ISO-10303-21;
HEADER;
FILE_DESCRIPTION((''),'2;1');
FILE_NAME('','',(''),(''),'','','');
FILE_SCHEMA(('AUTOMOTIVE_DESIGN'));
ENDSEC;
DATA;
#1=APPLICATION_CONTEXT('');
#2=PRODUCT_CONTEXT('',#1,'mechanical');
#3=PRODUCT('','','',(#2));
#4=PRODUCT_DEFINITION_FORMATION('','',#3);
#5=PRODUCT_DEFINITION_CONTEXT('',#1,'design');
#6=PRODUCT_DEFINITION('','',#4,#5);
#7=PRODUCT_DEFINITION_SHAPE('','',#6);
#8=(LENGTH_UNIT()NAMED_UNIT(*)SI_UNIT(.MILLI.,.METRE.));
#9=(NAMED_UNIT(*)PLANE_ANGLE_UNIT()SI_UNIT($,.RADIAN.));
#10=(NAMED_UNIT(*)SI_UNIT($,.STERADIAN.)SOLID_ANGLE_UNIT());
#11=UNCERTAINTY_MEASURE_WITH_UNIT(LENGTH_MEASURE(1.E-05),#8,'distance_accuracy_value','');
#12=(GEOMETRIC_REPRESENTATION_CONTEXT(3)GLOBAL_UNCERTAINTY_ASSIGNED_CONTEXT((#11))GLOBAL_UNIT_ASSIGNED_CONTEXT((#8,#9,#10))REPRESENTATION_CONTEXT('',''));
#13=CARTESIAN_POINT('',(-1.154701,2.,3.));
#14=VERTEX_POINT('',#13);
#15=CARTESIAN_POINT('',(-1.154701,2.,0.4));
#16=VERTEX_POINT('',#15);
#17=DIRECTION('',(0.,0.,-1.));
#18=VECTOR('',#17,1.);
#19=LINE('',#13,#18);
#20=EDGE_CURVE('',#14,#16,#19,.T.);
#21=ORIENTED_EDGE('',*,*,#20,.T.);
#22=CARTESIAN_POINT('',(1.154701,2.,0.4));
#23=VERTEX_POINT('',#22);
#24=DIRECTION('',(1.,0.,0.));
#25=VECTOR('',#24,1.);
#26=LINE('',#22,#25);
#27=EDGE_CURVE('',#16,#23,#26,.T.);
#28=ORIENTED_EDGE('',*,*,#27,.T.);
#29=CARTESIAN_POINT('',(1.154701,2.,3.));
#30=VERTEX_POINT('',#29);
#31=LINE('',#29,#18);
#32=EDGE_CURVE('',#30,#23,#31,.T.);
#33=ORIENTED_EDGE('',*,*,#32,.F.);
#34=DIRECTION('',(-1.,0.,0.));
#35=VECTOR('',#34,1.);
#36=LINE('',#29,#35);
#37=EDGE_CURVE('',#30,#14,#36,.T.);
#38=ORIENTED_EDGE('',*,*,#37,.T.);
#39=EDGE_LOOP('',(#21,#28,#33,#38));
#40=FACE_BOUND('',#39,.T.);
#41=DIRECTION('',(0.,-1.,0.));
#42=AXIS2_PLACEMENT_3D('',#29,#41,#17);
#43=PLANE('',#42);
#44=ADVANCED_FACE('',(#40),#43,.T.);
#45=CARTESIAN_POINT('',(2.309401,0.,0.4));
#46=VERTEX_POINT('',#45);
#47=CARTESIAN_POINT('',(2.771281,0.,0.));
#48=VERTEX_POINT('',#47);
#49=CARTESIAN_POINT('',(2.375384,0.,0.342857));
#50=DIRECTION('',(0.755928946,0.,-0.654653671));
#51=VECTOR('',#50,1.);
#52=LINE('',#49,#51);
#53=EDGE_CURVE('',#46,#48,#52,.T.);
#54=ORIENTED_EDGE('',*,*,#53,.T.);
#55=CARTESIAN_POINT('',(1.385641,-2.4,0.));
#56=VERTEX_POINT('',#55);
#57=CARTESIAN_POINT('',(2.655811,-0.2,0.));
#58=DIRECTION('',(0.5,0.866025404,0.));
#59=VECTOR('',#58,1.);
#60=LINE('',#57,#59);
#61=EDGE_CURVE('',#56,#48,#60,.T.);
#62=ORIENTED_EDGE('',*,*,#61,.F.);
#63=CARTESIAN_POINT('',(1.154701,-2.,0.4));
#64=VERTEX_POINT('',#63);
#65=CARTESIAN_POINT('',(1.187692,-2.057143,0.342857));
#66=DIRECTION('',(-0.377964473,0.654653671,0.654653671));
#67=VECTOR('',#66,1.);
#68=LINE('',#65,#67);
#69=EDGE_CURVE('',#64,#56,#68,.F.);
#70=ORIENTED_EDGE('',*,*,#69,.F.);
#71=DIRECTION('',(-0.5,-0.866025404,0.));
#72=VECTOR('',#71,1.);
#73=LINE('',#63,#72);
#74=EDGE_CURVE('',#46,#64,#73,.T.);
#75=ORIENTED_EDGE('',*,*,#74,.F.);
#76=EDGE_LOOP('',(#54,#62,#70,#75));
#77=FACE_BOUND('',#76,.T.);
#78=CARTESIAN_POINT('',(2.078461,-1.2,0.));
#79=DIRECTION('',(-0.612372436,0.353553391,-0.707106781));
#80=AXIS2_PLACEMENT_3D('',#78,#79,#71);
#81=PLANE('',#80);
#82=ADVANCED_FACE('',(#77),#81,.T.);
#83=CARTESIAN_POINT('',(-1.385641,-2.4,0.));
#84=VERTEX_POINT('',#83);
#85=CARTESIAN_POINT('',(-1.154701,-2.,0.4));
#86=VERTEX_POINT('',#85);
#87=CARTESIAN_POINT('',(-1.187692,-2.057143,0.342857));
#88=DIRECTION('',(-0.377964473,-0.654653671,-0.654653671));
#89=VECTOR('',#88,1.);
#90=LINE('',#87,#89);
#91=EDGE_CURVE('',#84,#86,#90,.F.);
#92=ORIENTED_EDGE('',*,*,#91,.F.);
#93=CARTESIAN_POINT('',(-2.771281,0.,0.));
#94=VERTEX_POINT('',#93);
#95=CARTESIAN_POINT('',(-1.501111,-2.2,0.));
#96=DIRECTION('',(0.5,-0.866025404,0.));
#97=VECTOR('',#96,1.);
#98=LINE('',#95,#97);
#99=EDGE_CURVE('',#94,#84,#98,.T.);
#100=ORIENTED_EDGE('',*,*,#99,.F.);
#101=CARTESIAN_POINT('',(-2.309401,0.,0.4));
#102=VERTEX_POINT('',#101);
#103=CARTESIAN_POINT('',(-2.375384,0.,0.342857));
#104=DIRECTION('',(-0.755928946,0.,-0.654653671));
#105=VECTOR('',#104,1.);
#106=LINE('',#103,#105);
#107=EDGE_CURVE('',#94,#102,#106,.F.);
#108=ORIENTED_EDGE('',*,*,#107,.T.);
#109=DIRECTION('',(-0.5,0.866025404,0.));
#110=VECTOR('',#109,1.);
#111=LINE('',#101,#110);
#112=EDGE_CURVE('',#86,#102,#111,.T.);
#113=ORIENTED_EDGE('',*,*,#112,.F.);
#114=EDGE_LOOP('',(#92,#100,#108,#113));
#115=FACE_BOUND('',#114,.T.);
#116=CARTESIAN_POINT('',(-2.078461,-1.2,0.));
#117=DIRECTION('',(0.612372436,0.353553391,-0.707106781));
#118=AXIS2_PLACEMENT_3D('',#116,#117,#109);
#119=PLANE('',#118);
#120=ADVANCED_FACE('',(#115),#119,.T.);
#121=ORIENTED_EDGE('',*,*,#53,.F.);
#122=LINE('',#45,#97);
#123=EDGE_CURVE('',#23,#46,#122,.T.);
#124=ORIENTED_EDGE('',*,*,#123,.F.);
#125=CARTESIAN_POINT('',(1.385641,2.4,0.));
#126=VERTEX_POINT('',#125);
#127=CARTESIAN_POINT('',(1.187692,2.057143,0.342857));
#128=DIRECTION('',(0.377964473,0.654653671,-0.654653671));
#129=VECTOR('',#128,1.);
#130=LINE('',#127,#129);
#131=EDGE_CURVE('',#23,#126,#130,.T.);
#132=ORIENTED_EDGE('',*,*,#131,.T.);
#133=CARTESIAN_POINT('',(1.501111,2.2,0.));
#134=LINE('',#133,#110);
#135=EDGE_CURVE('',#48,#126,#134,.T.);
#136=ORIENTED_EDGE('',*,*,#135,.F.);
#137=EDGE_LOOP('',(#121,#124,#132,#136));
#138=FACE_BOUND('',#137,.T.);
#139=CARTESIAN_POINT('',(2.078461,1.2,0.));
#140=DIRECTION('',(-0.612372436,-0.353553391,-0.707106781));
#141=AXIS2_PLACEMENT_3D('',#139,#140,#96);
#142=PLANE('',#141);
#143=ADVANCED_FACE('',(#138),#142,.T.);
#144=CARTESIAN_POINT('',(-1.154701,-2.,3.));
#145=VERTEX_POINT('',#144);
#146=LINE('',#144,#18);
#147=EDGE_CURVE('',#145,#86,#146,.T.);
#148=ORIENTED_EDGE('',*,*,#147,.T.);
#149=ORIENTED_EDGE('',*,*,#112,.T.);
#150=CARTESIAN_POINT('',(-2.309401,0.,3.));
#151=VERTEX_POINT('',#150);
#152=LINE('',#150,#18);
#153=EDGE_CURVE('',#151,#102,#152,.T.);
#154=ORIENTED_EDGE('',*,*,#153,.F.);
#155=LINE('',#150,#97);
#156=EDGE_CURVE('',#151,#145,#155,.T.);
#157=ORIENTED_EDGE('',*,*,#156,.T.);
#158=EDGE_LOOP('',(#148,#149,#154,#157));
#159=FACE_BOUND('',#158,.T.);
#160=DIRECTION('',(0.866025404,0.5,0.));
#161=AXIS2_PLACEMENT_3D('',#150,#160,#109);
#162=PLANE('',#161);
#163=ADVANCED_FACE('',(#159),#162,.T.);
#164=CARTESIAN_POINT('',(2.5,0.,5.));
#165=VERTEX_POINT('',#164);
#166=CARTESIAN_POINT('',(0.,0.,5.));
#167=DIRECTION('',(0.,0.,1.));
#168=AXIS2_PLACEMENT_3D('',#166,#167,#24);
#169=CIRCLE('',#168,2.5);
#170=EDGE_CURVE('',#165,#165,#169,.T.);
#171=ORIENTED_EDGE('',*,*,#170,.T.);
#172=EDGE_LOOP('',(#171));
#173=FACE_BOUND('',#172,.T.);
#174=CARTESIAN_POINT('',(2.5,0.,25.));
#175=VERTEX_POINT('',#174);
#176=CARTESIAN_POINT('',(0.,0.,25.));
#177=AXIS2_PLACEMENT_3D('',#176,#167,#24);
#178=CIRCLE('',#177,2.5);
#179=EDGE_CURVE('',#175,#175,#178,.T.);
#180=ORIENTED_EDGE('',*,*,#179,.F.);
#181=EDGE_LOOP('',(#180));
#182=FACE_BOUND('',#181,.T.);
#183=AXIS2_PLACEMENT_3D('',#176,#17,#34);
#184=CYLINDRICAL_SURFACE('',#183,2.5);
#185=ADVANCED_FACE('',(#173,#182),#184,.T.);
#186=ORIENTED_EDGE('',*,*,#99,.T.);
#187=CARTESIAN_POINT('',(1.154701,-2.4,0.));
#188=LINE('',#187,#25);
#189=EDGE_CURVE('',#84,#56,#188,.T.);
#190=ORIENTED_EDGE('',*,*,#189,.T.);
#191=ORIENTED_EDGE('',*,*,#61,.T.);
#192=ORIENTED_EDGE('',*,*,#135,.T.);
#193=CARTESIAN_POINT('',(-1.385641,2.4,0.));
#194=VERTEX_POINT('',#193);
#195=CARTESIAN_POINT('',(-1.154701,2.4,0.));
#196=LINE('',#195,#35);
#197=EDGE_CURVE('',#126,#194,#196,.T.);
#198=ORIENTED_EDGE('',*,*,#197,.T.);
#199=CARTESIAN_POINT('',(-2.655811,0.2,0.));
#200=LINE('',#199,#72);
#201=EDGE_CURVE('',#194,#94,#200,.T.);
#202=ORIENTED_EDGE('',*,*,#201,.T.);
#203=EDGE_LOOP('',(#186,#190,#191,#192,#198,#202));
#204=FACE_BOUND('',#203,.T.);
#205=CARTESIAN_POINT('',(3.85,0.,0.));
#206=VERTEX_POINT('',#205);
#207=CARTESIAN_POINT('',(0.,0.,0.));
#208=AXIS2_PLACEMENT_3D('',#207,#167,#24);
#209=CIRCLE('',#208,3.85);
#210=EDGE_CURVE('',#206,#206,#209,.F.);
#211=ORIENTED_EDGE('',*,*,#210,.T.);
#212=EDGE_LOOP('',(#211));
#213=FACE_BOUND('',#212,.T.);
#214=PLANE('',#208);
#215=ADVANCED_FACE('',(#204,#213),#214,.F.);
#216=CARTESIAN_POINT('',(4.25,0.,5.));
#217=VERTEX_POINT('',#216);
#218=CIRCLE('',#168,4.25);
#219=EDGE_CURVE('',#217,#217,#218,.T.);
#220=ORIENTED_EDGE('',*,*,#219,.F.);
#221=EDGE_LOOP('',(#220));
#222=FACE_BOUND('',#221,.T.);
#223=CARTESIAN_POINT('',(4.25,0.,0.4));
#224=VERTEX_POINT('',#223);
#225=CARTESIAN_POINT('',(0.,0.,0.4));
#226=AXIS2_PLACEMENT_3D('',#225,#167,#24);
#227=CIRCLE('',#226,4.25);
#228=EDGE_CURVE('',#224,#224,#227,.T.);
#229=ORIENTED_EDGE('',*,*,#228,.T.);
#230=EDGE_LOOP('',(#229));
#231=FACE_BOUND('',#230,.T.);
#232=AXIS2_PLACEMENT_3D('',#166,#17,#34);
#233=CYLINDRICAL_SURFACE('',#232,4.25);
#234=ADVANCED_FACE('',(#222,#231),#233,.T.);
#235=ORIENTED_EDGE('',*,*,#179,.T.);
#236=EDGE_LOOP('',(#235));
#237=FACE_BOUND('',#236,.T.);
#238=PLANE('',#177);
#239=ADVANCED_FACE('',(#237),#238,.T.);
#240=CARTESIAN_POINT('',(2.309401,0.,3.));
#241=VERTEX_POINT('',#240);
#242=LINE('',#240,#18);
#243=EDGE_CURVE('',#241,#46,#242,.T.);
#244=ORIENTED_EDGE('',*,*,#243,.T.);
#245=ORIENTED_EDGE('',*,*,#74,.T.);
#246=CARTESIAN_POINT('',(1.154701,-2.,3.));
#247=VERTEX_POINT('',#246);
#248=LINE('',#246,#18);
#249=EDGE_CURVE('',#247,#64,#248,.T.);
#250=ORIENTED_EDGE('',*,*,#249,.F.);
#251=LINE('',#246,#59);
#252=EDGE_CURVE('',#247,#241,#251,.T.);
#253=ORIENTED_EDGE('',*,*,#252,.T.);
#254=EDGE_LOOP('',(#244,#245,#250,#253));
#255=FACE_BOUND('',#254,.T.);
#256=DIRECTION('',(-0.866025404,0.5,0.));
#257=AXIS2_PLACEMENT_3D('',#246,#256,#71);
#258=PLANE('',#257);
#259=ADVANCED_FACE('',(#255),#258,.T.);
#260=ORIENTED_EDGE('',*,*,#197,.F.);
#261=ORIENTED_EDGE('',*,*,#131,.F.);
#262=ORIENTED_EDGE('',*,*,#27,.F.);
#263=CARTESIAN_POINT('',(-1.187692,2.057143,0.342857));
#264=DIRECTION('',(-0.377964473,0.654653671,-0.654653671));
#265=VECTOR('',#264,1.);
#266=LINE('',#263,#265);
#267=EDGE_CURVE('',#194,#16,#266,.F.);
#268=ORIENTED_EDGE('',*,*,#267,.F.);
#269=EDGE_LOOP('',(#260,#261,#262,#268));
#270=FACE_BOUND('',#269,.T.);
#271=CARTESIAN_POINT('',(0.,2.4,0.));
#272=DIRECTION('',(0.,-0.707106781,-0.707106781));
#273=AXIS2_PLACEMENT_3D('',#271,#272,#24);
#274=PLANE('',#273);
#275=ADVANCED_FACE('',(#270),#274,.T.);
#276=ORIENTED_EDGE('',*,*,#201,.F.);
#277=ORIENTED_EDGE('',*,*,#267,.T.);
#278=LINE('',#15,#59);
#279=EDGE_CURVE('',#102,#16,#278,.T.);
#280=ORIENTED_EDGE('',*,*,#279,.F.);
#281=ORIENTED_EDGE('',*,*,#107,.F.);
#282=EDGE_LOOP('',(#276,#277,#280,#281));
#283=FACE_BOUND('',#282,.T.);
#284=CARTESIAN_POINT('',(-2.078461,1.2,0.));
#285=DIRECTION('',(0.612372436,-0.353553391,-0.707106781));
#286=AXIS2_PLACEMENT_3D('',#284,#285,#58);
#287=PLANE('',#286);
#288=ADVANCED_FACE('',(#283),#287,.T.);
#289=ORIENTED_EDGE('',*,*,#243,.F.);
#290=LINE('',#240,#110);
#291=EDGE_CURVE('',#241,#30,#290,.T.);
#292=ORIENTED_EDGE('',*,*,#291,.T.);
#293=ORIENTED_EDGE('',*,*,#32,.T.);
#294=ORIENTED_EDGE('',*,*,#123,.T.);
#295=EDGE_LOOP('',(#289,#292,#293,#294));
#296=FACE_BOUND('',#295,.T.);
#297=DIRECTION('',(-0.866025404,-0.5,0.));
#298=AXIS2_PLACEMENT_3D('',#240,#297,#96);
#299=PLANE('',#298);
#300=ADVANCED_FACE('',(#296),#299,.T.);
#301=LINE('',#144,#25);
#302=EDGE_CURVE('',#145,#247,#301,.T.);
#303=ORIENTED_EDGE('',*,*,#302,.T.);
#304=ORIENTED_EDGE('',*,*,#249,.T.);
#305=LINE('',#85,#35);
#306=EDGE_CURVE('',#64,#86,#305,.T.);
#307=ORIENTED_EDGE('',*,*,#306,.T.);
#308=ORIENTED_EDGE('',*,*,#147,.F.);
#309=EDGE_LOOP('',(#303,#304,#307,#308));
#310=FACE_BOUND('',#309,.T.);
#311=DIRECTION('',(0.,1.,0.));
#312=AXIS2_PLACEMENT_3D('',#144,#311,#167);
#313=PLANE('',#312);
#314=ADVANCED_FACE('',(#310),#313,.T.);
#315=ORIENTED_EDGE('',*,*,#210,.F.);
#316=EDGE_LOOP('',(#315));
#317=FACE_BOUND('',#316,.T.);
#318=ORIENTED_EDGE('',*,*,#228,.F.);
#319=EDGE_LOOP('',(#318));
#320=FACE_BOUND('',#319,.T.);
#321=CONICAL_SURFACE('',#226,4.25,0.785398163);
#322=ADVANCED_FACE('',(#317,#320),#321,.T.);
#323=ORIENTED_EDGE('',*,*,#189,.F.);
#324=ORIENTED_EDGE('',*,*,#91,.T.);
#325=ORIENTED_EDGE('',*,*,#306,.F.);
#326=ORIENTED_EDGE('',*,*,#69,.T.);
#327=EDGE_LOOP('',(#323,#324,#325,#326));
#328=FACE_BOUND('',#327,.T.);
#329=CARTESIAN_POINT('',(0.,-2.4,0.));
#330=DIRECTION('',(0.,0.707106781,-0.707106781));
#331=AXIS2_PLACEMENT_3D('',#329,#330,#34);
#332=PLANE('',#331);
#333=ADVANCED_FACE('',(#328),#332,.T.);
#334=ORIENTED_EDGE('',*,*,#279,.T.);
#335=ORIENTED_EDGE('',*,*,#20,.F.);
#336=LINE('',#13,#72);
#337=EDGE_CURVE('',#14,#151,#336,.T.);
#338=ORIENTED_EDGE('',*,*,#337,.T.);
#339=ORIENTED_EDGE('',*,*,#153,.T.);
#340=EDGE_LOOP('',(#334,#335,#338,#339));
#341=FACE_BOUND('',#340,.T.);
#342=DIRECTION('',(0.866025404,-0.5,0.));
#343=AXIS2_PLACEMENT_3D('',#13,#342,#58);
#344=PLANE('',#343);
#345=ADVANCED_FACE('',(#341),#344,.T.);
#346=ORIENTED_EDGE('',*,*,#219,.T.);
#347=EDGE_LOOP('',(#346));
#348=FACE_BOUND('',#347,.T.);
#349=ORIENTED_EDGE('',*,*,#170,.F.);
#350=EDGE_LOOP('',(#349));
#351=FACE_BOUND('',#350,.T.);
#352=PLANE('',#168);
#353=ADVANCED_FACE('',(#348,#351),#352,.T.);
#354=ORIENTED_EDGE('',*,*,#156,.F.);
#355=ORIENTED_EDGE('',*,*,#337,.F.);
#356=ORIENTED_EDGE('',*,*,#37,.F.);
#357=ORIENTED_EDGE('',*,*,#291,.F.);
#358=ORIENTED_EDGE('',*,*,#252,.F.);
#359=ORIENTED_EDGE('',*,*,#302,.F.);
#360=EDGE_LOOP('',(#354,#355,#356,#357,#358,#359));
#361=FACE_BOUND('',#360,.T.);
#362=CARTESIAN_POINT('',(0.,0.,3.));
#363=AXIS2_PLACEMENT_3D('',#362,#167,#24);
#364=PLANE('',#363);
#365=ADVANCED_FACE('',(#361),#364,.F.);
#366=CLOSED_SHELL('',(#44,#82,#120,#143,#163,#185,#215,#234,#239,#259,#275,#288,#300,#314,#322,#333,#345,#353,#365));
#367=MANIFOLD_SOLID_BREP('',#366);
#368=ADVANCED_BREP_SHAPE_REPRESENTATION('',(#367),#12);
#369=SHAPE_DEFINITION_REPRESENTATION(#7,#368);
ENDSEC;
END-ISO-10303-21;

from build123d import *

# Parameters (mm, degrees)
SK_SHANK_R        = 2.5
EXT_SHANK_DEPTH   = 25
SK_HEAD_R         = 4.25
EXT_HEAD_DEPTH    = 5
CUT_HEX_DEPTH     = 3
CHAMFER_HEAD_SIZE = 0.4


with BuildPart() as part:
    # Sk_shank → Ext_shank (new body)
    with BuildSketch(Plane.XY):
        Circle(SK_SHANK_R)
    extrude(amount=EXT_SHANK_DEPTH)

    # Sk_head → Ext_head (add)
    with BuildSketch(Plane.XY):
        Circle(SK_HEAD_R)
    extrude(amount=EXT_HEAD_DEPTH)

    # Sk_hex → Cut_hex (cut)
    with BuildSketch(Plane.XY):
        Polygon((2.309401077, 0), (1.154700538, 2), (-1.154700538, 2), (-2.309401077, 0), (-1.154700538, -2), (1.154700538, -2), align=None)
    extrude(amount=CUT_HEX_DEPTH, mode=Mode.SUBTRACT)

    # Chamfer_head
    chamfer_head_edges = [part.edges().sort_by_distance(p)[0] for p in [
        (1.732050808, -1, 0),
        (1.732050808, 1, 0),
        (0, 2, 0),
        (-1.732050808, 1, 0),
        (-1.732050808, -1, 0),
        (0, -2, 0),
        (-4.25, 0, 0),
    ]]
    chamfer(chamfer_head_edges, length=CHAMFER_HEAD_SIZE)


solid = part.part
